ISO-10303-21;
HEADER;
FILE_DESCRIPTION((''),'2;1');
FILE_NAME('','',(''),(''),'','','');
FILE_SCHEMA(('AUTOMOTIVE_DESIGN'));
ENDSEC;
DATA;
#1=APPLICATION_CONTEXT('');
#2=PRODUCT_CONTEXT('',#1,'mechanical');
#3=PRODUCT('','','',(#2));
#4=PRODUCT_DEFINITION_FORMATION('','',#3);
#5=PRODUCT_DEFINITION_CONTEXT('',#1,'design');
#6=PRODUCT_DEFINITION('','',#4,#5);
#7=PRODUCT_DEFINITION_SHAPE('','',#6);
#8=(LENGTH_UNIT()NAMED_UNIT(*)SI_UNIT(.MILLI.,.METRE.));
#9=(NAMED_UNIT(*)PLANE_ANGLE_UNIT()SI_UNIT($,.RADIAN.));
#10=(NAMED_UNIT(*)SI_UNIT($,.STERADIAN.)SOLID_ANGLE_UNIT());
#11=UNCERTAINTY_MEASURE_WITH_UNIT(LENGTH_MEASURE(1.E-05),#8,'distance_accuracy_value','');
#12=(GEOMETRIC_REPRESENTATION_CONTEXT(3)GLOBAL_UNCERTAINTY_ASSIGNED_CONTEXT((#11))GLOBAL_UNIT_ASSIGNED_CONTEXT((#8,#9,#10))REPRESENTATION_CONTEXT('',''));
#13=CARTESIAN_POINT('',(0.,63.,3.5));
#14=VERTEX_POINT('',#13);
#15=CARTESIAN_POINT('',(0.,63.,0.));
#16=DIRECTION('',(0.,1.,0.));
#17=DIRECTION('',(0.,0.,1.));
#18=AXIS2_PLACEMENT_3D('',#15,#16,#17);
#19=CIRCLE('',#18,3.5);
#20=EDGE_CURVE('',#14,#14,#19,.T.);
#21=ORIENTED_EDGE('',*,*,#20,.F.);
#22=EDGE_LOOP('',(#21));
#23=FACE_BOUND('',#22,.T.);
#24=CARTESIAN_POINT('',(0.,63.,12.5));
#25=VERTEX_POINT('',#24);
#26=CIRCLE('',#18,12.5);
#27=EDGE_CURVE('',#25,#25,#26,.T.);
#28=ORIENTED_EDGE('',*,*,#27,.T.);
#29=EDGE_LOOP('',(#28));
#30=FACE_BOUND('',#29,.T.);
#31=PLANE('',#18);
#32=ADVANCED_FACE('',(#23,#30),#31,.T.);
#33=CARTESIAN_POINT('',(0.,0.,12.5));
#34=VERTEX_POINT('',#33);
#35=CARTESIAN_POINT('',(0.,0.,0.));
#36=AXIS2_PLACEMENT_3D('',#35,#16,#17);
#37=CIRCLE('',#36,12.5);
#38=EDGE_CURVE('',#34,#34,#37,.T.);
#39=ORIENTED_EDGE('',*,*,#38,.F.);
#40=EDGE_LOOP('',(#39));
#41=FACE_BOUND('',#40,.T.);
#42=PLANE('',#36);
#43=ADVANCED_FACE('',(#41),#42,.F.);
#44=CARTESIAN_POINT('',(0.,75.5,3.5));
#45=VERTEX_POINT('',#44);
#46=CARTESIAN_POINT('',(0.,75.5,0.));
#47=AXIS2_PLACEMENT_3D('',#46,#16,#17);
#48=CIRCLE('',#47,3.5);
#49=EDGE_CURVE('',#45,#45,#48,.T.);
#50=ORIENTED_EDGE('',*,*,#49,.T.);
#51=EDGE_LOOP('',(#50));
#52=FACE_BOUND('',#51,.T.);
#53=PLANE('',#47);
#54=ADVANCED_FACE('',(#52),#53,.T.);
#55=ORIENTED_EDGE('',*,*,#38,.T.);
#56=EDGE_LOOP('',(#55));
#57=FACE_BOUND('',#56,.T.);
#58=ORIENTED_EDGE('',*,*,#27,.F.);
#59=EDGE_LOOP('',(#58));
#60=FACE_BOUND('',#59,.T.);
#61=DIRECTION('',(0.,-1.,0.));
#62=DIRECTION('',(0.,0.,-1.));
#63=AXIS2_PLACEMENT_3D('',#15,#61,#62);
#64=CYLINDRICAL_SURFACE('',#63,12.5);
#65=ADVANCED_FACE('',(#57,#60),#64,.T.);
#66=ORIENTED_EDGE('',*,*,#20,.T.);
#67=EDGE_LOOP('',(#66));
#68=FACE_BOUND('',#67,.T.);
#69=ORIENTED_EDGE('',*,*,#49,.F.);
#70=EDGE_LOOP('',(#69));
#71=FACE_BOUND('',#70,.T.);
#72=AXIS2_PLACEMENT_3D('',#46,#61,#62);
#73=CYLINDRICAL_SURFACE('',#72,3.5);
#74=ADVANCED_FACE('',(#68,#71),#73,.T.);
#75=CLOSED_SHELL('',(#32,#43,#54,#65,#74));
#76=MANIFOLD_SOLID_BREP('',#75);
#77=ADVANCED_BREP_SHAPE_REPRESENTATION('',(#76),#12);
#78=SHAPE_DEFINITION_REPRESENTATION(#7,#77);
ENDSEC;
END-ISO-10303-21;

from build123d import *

# Parameters (mm, degrees)
SKETCH_1_R      = 12.5
EXTRUDE_1_DEPTH = 63
SKETCH_2_R      = 3.5
EXTRUDE_2_DEPTH = 12.5


with BuildPart() as part:
    # 草图1 → 凸台-拉伸1 (new body)
    with BuildSketch(Plane(origin=(0, 0, 0), x_dir=(1, 0, 0), z_dir=(0, 1, 0))):
        with Locations(Location((0, 0, 0), (0, 0, 270))):
            Circle(SKETCH_1_R)
    extrude(amount=EXTRUDE_1_DEPTH)

    # 草图2 → 凸台-拉伸2 (add)
    with BuildSketch(Plane(origin=(0, 63, 0), x_dir=(1, 0, 0), z_dir=(0, 1, 0))):
        with Locations(Location((0, 0, 0), (0, 0, 270))):
            Circle(SKETCH_2_R)
    extrude(amount=EXTRUDE_2_DEPTH)


solid = part.part
